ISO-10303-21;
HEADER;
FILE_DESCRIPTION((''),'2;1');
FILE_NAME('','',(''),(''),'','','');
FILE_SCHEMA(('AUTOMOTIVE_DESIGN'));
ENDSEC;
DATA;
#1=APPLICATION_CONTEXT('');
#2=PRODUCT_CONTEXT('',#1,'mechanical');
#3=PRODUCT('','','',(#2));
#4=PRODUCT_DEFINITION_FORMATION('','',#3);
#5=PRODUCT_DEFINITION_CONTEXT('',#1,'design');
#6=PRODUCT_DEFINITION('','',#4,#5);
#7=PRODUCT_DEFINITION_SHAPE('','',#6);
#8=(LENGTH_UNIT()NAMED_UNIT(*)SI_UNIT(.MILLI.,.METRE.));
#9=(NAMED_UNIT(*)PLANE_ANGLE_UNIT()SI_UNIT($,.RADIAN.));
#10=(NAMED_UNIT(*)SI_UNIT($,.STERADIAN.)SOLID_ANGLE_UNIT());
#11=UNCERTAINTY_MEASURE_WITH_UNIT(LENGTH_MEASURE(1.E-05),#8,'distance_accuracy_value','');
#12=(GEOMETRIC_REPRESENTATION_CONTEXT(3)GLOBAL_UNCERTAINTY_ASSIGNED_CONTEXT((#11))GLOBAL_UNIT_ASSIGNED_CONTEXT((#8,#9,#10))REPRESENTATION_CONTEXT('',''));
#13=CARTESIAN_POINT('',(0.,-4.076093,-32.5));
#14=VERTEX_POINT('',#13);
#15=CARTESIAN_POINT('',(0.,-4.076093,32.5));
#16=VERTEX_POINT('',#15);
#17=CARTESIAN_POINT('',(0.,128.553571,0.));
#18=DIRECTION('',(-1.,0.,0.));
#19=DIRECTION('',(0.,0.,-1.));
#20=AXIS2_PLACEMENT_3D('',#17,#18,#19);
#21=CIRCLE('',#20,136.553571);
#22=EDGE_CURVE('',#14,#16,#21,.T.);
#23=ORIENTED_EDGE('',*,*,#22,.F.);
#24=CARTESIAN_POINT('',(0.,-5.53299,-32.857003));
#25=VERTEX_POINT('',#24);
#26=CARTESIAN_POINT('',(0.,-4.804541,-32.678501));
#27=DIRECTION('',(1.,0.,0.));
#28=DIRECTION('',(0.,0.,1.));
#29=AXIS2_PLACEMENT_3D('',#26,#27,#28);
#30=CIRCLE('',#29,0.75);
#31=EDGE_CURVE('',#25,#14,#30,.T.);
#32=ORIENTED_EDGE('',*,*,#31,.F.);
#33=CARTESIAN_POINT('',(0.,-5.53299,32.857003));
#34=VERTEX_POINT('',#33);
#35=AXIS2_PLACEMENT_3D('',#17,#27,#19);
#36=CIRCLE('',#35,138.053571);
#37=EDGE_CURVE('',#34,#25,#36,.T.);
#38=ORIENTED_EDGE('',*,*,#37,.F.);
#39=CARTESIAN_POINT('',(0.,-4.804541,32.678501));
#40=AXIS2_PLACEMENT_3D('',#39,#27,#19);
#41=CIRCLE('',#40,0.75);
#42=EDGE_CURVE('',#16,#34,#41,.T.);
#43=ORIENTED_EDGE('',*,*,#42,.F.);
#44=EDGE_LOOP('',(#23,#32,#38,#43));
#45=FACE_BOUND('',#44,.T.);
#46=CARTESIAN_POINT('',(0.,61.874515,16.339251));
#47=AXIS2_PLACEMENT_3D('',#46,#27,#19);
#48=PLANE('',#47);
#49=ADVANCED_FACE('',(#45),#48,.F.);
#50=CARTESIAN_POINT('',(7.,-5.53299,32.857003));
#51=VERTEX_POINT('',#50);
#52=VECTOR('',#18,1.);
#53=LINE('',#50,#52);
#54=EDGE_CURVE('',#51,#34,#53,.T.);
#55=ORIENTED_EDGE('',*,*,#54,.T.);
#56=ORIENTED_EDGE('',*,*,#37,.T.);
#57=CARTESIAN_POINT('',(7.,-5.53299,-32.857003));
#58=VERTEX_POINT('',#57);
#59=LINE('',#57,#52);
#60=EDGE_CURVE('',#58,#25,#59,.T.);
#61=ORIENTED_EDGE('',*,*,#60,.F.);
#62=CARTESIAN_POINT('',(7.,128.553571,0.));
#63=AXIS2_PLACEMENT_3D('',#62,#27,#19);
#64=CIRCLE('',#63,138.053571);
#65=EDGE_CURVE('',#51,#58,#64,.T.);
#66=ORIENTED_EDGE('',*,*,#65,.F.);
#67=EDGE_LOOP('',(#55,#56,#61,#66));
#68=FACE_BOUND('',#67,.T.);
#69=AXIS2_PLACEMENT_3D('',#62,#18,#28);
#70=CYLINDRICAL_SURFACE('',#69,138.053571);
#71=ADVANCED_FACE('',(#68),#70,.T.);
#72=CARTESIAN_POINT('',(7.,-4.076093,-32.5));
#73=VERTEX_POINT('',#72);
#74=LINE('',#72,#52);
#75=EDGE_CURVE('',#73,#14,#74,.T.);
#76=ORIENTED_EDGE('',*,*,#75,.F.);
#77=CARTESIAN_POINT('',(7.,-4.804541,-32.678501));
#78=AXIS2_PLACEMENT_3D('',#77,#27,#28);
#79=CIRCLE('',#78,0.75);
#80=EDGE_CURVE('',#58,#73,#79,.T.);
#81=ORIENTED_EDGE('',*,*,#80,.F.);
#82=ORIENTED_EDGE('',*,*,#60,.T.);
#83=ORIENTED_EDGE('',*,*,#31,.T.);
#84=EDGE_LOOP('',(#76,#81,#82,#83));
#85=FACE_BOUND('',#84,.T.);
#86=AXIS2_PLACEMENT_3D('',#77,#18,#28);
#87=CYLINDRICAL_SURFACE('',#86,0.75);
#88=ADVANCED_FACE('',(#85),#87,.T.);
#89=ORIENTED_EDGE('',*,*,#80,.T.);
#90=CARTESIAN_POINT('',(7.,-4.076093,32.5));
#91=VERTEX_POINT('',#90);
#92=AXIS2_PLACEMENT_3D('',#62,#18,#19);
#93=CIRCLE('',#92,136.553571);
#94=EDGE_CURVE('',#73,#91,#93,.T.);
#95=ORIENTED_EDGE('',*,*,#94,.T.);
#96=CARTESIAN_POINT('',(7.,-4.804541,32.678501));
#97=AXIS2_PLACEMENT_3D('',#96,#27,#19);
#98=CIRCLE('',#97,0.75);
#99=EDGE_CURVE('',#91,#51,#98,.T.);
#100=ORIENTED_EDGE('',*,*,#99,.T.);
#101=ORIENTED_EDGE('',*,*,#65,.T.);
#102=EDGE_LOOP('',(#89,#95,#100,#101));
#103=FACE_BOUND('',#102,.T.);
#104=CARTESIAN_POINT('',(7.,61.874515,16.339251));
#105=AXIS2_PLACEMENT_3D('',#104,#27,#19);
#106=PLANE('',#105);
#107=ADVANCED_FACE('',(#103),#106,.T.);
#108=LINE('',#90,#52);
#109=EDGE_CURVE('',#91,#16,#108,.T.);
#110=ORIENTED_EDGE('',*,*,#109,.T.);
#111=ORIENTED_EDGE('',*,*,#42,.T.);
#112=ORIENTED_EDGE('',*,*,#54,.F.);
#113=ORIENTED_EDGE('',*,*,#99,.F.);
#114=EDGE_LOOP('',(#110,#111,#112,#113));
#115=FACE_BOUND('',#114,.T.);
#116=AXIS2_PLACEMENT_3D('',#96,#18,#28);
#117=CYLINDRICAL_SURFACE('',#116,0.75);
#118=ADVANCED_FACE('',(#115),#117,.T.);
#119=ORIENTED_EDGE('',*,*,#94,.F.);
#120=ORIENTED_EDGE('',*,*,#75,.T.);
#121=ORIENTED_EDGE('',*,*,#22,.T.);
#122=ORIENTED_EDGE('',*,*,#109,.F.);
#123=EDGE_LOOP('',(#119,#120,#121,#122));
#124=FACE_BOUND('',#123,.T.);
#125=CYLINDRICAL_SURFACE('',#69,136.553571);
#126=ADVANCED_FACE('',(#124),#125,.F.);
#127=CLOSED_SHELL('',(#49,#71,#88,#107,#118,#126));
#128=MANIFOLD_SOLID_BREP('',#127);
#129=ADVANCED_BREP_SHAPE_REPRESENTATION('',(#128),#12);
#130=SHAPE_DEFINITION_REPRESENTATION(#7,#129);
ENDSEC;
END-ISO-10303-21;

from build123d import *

# Parameters (mm, degrees)
BOSS_EXTRUDE1_DEPTH = 7


with BuildPart() as part:
    # Sketch1 → Boss-Extrude1 (new body)
    with BuildSketch(Plane(origin=(0, 0, 0), x_dir=(0, 0, -1), z_dir=(1, 0, 0))):
        with BuildLine():
            ThreePointArc((-32.5, -4.076092938), (0, -8), (32.5, -4.076092938))
            ThreePointArc((32.5, -4.076092938), (33.406949902, -4.626040094), (32.857002746, -5.532989996))
            ThreePointArc((32.857002746, -5.532989996), (0, -9.5), (-32.857002746, -5.532989996))
            ThreePointArc((-32.857002746, -5.532989996), (-33.406949902, -4.626040094), (-32.5, -4.076092938))
        make_face()
    extrude(amount=BOSS_EXTRUDE1_DEPTH)


solid = part.part
